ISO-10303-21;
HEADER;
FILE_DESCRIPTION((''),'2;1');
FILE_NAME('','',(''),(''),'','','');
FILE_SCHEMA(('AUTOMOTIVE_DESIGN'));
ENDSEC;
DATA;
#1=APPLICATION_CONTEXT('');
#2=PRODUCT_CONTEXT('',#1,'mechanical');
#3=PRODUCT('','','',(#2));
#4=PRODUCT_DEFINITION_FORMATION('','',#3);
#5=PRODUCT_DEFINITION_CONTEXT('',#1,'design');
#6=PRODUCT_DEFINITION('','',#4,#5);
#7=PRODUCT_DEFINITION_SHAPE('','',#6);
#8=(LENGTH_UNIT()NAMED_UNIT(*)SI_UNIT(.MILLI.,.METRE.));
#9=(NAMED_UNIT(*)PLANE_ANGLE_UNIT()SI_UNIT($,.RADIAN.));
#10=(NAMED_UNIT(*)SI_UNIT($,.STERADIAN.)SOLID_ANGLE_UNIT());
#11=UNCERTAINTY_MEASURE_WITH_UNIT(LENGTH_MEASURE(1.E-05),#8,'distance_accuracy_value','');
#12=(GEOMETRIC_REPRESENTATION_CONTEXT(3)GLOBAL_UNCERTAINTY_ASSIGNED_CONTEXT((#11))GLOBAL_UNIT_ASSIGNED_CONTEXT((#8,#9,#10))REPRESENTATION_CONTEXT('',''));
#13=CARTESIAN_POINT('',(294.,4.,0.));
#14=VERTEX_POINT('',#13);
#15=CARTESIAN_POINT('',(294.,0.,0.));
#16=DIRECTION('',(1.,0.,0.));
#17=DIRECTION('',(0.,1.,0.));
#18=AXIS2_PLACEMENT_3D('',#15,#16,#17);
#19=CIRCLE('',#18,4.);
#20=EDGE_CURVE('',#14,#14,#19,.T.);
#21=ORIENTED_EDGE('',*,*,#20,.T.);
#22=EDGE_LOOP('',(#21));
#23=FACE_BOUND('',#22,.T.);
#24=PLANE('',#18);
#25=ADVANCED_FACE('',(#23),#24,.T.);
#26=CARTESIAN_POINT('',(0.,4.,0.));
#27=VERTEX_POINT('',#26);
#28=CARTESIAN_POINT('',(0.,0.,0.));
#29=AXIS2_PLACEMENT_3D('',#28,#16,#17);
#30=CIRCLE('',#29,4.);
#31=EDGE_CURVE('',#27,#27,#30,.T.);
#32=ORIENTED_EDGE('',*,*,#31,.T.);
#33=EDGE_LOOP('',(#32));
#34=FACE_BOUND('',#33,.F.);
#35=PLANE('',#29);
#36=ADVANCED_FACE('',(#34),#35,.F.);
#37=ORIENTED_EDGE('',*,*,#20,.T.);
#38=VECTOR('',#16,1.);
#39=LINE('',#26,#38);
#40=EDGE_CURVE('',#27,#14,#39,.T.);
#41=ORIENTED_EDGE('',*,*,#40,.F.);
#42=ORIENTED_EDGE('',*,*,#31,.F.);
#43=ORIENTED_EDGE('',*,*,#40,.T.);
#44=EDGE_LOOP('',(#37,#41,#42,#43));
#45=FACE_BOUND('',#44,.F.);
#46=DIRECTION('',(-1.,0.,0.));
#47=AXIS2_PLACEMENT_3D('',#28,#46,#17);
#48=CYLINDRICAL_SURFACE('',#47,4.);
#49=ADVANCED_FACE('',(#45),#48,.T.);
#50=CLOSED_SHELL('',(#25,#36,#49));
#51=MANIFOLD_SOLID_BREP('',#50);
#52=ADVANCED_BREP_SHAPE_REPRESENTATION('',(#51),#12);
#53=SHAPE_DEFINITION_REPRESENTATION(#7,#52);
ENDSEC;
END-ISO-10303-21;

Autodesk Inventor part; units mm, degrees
ref_plane "YZ Plane" through (0, 0, 0) normal (1, 0, 0) x (0, 1, 0)
ref_plane "XZ Plane" through (0, 0, 0) normal (0, 1, 0) x (-1, 0, 0)
ref_plane "XY Plane" through (0, 0, 0) normal (0, 0, 1) x (1, 0, 0)
sketch "Sketch1" plane through (0, 0, 0) normal (1, 0, 0) x (0, 1, 0)
  circle A0 centre (0, 0) radius 4
  dimension "d0" = 8
extrude "Extrusion1" add sketch "Sketch1" along normal blind 294
properties part number "TOP ROD"
